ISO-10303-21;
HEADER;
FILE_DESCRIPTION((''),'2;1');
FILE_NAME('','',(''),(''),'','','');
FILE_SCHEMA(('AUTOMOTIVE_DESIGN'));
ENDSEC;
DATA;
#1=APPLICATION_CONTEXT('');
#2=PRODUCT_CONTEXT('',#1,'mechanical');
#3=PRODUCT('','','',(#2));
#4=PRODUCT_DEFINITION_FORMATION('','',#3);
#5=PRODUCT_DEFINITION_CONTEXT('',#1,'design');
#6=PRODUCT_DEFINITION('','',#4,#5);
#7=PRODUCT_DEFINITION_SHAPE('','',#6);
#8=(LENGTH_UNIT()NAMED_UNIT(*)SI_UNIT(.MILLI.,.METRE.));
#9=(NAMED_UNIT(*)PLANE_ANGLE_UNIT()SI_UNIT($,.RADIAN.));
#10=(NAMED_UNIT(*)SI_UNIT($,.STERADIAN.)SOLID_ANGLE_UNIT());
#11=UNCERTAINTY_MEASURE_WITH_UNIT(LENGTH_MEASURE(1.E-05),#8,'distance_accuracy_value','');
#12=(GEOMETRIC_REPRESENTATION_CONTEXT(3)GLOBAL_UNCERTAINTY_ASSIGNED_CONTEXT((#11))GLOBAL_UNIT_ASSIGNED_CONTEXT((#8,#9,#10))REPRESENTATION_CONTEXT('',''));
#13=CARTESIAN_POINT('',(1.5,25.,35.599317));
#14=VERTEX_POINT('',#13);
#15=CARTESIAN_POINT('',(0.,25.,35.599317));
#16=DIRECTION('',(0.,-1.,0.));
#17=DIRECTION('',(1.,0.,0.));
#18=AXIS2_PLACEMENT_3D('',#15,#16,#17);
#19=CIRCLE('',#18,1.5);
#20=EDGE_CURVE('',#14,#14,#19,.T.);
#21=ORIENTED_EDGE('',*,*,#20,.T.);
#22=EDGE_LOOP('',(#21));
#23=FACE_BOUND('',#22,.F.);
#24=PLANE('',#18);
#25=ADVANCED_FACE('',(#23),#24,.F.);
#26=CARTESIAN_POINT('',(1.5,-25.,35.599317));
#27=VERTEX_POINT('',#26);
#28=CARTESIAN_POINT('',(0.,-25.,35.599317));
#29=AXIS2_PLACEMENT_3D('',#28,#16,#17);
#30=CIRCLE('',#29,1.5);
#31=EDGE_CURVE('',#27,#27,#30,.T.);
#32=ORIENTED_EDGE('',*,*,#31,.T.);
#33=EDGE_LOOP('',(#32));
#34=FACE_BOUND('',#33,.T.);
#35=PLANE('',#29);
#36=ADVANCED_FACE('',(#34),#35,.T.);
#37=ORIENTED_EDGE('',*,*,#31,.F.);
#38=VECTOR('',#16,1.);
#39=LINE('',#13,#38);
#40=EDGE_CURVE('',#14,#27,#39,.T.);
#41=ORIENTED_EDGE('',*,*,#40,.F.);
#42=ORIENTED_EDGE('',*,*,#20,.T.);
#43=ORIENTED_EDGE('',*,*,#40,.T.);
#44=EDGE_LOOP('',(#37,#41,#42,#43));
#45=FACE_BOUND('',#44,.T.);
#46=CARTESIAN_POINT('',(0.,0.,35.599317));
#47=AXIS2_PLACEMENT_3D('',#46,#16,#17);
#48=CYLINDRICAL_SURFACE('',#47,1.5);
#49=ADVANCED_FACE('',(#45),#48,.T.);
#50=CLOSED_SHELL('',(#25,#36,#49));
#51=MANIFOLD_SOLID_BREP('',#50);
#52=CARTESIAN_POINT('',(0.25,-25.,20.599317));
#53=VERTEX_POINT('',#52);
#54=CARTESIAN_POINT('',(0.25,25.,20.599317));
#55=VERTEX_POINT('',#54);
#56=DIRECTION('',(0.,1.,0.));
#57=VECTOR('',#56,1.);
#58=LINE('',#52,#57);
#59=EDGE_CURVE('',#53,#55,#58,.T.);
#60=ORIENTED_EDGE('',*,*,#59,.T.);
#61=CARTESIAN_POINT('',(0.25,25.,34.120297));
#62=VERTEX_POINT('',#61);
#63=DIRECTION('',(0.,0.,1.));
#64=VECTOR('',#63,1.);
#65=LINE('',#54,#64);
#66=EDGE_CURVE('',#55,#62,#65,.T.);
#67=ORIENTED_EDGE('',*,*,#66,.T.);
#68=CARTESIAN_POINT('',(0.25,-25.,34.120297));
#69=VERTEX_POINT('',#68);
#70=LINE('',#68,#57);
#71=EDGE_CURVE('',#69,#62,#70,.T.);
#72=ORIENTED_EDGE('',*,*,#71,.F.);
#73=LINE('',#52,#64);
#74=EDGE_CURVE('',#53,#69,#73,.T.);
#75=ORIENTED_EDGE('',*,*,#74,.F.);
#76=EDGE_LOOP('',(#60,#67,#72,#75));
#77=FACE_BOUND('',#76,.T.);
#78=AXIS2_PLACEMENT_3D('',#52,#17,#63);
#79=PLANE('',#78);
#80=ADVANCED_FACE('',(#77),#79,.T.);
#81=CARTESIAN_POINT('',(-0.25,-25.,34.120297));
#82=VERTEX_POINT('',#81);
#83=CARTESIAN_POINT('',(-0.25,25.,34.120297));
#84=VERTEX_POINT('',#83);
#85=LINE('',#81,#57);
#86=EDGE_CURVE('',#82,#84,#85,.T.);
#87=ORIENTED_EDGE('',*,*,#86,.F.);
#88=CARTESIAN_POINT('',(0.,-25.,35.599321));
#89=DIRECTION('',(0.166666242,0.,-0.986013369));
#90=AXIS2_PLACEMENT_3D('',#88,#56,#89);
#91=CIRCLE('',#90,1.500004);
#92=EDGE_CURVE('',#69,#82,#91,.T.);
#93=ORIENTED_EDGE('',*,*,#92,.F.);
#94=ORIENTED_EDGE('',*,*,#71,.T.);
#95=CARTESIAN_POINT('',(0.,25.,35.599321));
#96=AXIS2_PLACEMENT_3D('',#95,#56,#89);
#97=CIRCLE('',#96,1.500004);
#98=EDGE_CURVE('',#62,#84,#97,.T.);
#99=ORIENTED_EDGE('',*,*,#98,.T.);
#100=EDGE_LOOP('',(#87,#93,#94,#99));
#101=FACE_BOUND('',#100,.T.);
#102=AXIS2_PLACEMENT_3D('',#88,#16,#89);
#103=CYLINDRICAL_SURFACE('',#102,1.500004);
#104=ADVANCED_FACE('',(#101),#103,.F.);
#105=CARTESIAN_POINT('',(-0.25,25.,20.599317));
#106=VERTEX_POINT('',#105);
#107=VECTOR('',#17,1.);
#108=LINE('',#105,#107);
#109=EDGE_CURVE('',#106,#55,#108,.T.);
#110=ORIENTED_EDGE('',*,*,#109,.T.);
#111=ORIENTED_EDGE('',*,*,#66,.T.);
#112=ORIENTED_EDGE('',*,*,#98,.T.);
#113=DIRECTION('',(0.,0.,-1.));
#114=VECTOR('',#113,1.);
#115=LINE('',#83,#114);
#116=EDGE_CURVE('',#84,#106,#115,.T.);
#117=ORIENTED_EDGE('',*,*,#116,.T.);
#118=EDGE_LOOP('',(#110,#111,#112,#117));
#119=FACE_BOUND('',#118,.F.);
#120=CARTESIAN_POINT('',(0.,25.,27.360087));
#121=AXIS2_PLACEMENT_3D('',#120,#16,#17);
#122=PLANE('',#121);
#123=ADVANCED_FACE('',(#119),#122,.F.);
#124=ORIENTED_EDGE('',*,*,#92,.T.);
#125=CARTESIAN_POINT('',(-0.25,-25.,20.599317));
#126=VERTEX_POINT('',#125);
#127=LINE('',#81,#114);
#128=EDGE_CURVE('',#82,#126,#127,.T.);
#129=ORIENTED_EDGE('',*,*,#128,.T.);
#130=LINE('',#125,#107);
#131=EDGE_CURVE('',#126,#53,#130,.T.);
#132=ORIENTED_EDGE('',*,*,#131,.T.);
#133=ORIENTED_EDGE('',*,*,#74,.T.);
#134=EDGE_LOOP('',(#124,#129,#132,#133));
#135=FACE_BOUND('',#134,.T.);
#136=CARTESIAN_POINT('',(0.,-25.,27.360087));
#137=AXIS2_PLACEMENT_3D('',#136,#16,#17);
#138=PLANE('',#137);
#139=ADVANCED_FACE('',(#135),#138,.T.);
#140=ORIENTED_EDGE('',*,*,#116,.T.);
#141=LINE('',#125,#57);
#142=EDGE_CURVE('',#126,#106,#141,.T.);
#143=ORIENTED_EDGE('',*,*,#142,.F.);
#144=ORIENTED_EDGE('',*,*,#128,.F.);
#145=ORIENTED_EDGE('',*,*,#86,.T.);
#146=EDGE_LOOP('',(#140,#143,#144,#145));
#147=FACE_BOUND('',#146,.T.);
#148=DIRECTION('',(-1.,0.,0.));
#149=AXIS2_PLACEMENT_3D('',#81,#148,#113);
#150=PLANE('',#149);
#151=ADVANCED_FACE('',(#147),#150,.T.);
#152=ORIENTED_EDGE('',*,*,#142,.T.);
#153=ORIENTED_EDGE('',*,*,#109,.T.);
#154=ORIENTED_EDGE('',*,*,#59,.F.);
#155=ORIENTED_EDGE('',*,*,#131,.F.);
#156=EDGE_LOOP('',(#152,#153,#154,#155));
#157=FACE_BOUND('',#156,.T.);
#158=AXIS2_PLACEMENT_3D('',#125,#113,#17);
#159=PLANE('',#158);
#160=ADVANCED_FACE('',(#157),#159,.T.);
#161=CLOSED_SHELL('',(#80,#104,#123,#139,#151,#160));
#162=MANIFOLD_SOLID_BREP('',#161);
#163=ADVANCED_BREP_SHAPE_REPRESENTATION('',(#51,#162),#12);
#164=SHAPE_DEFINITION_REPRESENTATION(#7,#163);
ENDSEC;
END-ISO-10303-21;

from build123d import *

# Parameters (mm, degrees)
F0_R     = 1.5
F1_DEPTH = 25
F3_DEPTH = 50


with BuildPart() as f1:
    # F0 (on Front) → F1 (new body, symmetric)
    with BuildSketch(Plane.XZ):
        with Locations((0, 35.599317)):
            Circle(F0_R)
    extrude(amount=F1_DEPTH, both=True)


with BuildPart() as f3:
    # F2 (on face) → F3 (new body)
    with BuildSketch(Plane.XZ.offset(25)):
        with BuildLine():
            Line((0.25, 20.599317), (0.25, 34.120297))
            ThreePointArc((0.25, 34.120297), (0, 34.099317), (-0.25, 34.120297))
            Line((-0.25, 34.120297), (-0.25, 20.599317))
            Line((-0.25, 20.599317), (0.25, 20.599317))
        make_face()
    extrude(amount=-F3_DEPTH)


solid = Compound([f1.part, f3.part])
